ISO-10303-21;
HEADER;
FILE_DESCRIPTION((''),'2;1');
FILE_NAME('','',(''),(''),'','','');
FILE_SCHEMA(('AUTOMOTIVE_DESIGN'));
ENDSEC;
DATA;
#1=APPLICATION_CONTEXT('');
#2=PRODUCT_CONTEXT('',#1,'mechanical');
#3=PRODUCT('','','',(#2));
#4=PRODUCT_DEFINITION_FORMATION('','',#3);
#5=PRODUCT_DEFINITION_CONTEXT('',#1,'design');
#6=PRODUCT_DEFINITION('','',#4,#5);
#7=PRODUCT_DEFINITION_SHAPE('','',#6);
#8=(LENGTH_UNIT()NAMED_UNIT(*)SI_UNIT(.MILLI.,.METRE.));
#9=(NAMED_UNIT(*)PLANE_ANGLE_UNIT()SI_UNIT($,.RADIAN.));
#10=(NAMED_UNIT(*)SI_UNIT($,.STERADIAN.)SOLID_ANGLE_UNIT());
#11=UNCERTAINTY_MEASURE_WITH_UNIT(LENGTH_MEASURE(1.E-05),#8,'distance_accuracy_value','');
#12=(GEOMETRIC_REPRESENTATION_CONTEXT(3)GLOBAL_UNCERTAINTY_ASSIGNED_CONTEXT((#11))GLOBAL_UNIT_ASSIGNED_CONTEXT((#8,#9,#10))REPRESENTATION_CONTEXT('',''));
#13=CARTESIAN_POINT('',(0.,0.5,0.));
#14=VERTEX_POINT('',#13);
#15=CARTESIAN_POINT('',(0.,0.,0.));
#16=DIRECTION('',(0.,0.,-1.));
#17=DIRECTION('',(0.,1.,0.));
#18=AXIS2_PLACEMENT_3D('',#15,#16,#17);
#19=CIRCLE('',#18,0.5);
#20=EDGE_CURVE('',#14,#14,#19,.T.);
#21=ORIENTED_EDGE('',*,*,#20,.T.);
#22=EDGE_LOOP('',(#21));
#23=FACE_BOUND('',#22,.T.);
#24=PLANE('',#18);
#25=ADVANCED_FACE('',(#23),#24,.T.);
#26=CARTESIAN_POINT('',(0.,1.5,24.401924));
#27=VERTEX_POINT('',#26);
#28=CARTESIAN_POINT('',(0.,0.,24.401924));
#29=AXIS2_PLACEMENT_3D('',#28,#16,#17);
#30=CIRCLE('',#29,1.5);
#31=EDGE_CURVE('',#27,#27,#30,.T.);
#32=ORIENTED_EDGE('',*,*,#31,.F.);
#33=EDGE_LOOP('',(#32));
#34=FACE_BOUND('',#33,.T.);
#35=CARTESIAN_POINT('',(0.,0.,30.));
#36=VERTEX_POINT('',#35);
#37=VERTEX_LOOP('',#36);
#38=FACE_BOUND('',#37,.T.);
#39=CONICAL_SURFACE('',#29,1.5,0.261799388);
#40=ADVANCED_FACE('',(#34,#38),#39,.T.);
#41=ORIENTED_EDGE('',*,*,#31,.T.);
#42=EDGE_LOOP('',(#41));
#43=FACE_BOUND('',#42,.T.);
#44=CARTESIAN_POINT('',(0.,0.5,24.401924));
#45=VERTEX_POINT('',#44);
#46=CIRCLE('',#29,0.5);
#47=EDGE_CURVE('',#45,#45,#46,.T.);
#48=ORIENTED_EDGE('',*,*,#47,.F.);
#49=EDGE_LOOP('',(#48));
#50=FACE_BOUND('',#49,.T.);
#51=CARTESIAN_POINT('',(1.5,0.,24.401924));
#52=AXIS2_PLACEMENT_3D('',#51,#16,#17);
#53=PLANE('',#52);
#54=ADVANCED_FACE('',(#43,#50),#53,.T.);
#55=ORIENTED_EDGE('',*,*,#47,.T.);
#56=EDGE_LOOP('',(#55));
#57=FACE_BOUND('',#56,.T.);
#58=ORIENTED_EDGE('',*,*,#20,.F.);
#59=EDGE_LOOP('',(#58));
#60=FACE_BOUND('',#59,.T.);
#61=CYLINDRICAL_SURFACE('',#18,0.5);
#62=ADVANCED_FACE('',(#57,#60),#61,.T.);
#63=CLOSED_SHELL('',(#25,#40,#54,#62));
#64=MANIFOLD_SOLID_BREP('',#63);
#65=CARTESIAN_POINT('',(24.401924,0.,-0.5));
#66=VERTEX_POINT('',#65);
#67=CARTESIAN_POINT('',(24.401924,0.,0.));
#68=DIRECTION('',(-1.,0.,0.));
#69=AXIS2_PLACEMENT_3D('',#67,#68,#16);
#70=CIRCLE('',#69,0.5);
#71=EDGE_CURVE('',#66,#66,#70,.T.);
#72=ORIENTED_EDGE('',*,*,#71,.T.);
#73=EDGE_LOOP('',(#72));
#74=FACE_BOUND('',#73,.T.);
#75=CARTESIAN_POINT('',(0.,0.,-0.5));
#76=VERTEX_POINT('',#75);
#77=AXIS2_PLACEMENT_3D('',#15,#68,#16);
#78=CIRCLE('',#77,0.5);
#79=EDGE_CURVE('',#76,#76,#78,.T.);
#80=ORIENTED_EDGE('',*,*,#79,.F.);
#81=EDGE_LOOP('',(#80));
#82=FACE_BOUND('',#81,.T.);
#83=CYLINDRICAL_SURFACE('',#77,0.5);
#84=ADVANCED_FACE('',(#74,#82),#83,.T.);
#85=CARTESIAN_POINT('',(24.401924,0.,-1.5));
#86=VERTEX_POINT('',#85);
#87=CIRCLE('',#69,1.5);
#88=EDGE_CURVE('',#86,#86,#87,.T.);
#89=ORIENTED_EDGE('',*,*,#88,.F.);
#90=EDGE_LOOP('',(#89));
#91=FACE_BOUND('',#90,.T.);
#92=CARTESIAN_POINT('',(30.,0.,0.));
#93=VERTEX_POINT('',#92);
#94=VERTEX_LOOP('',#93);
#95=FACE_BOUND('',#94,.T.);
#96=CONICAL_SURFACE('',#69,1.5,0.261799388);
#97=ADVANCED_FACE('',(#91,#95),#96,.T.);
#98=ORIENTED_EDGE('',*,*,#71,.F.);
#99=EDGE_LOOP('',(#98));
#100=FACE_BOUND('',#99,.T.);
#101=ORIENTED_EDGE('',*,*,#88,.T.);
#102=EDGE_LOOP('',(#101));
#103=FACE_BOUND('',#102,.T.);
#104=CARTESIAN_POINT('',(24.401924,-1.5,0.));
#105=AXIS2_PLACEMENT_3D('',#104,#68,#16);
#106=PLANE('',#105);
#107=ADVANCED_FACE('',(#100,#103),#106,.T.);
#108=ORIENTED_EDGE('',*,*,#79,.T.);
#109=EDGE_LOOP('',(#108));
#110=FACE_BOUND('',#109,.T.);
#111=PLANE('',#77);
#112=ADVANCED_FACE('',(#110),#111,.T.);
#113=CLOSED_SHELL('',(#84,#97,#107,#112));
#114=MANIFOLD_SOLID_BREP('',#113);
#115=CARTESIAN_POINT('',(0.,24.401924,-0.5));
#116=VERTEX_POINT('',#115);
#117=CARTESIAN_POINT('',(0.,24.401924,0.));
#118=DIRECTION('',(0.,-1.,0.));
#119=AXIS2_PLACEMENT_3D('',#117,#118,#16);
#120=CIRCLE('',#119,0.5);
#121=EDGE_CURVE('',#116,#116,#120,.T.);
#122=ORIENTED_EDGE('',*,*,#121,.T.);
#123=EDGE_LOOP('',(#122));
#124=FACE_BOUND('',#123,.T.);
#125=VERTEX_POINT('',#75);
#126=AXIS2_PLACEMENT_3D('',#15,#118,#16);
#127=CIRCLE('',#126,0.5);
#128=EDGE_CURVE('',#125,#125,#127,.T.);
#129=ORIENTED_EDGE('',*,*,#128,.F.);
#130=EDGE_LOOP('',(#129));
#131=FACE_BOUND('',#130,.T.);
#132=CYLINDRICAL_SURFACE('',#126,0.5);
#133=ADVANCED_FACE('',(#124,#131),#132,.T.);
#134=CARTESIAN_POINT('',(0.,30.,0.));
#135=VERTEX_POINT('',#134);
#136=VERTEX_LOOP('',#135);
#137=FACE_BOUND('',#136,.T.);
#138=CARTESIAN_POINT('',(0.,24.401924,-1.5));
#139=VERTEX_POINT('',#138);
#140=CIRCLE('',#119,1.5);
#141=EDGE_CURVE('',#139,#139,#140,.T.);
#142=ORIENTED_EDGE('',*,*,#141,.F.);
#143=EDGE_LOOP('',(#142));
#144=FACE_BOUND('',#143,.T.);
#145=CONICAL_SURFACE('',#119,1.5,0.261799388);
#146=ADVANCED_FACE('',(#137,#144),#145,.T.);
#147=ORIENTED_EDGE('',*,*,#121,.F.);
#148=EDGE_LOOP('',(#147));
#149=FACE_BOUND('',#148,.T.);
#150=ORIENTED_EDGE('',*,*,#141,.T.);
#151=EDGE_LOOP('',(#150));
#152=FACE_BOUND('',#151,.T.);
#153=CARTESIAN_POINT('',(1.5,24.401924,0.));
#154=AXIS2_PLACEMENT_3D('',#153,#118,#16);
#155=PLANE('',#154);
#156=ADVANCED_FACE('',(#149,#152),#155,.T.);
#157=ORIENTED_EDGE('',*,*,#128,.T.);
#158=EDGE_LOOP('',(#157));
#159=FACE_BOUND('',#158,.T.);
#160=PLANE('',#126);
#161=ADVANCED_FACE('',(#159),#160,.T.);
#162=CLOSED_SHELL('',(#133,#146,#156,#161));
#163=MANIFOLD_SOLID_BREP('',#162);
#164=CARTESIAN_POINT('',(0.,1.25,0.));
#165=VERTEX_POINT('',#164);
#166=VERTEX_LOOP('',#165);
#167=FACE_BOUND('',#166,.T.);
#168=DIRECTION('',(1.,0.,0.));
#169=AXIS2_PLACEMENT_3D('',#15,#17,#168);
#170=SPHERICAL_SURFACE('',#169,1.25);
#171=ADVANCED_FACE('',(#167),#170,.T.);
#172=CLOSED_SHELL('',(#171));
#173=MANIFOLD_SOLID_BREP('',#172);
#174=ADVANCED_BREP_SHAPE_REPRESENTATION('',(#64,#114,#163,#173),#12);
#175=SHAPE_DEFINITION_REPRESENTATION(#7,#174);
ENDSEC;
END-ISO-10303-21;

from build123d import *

# Parameters (mm, degrees)
PATTERN_CIRCULAR_1_COUNT = 2
PATTERN_CIRCULAR_1_ANGLE = 90
PATTERN_CIRCULAR_2_COUNT = 2
PATTERN_CIRCULAR_2_ANGLE = 90


with BuildPart() as part:
    # Эскиз1 → Повернуть1 (revolve)
    with BuildSketch(Plane.XY):
        Polygon((0, 30), (0, 0), (0.5, 0), (0.5, 24.401923789), (1.5, 24.401923789), align=None)
    revolve(axis=Axis((0, 0, 0), (0, 1, 0)))


with BuildPart() as pattern_circular_1_1:
    # Круговой массив1: pattern copy
    add(part.part.rotate(Axis((-80.9, 0, 0), (1, 0, 0)), 1 * PATTERN_CIRCULAR_1_ANGLE / (PATTERN_CIRCULAR_1_COUNT - 1)))


with BuildPart() as pattern_circular_2_1:
    # Круговой массив2: pattern copy
    add(part.part.rotate(Axis((0, 0, -80.9), (0, 0, -1)), 1 * PATTERN_CIRCULAR_2_ANGLE / (PATTERN_CIRCULAR_2_COUNT - 1)))


with BuildPart() as body_4:
    # Эскиз2 → Повернуть2 (revolve)
    with BuildSketch(Plane.XY):
        with BuildLine():
            Line((0, 1.25), (0, -1.25))
            ThreePointArc((0, -1.25), (1.25, 0), (0, 1.25))
        make_face()
    revolve(axis=Axis((0, 1.25, 0), (0, -1, 0)))


solid = Compound([part.part, pattern_circular_1_1.part, pattern_circular_2_1.part, body_4.part])
